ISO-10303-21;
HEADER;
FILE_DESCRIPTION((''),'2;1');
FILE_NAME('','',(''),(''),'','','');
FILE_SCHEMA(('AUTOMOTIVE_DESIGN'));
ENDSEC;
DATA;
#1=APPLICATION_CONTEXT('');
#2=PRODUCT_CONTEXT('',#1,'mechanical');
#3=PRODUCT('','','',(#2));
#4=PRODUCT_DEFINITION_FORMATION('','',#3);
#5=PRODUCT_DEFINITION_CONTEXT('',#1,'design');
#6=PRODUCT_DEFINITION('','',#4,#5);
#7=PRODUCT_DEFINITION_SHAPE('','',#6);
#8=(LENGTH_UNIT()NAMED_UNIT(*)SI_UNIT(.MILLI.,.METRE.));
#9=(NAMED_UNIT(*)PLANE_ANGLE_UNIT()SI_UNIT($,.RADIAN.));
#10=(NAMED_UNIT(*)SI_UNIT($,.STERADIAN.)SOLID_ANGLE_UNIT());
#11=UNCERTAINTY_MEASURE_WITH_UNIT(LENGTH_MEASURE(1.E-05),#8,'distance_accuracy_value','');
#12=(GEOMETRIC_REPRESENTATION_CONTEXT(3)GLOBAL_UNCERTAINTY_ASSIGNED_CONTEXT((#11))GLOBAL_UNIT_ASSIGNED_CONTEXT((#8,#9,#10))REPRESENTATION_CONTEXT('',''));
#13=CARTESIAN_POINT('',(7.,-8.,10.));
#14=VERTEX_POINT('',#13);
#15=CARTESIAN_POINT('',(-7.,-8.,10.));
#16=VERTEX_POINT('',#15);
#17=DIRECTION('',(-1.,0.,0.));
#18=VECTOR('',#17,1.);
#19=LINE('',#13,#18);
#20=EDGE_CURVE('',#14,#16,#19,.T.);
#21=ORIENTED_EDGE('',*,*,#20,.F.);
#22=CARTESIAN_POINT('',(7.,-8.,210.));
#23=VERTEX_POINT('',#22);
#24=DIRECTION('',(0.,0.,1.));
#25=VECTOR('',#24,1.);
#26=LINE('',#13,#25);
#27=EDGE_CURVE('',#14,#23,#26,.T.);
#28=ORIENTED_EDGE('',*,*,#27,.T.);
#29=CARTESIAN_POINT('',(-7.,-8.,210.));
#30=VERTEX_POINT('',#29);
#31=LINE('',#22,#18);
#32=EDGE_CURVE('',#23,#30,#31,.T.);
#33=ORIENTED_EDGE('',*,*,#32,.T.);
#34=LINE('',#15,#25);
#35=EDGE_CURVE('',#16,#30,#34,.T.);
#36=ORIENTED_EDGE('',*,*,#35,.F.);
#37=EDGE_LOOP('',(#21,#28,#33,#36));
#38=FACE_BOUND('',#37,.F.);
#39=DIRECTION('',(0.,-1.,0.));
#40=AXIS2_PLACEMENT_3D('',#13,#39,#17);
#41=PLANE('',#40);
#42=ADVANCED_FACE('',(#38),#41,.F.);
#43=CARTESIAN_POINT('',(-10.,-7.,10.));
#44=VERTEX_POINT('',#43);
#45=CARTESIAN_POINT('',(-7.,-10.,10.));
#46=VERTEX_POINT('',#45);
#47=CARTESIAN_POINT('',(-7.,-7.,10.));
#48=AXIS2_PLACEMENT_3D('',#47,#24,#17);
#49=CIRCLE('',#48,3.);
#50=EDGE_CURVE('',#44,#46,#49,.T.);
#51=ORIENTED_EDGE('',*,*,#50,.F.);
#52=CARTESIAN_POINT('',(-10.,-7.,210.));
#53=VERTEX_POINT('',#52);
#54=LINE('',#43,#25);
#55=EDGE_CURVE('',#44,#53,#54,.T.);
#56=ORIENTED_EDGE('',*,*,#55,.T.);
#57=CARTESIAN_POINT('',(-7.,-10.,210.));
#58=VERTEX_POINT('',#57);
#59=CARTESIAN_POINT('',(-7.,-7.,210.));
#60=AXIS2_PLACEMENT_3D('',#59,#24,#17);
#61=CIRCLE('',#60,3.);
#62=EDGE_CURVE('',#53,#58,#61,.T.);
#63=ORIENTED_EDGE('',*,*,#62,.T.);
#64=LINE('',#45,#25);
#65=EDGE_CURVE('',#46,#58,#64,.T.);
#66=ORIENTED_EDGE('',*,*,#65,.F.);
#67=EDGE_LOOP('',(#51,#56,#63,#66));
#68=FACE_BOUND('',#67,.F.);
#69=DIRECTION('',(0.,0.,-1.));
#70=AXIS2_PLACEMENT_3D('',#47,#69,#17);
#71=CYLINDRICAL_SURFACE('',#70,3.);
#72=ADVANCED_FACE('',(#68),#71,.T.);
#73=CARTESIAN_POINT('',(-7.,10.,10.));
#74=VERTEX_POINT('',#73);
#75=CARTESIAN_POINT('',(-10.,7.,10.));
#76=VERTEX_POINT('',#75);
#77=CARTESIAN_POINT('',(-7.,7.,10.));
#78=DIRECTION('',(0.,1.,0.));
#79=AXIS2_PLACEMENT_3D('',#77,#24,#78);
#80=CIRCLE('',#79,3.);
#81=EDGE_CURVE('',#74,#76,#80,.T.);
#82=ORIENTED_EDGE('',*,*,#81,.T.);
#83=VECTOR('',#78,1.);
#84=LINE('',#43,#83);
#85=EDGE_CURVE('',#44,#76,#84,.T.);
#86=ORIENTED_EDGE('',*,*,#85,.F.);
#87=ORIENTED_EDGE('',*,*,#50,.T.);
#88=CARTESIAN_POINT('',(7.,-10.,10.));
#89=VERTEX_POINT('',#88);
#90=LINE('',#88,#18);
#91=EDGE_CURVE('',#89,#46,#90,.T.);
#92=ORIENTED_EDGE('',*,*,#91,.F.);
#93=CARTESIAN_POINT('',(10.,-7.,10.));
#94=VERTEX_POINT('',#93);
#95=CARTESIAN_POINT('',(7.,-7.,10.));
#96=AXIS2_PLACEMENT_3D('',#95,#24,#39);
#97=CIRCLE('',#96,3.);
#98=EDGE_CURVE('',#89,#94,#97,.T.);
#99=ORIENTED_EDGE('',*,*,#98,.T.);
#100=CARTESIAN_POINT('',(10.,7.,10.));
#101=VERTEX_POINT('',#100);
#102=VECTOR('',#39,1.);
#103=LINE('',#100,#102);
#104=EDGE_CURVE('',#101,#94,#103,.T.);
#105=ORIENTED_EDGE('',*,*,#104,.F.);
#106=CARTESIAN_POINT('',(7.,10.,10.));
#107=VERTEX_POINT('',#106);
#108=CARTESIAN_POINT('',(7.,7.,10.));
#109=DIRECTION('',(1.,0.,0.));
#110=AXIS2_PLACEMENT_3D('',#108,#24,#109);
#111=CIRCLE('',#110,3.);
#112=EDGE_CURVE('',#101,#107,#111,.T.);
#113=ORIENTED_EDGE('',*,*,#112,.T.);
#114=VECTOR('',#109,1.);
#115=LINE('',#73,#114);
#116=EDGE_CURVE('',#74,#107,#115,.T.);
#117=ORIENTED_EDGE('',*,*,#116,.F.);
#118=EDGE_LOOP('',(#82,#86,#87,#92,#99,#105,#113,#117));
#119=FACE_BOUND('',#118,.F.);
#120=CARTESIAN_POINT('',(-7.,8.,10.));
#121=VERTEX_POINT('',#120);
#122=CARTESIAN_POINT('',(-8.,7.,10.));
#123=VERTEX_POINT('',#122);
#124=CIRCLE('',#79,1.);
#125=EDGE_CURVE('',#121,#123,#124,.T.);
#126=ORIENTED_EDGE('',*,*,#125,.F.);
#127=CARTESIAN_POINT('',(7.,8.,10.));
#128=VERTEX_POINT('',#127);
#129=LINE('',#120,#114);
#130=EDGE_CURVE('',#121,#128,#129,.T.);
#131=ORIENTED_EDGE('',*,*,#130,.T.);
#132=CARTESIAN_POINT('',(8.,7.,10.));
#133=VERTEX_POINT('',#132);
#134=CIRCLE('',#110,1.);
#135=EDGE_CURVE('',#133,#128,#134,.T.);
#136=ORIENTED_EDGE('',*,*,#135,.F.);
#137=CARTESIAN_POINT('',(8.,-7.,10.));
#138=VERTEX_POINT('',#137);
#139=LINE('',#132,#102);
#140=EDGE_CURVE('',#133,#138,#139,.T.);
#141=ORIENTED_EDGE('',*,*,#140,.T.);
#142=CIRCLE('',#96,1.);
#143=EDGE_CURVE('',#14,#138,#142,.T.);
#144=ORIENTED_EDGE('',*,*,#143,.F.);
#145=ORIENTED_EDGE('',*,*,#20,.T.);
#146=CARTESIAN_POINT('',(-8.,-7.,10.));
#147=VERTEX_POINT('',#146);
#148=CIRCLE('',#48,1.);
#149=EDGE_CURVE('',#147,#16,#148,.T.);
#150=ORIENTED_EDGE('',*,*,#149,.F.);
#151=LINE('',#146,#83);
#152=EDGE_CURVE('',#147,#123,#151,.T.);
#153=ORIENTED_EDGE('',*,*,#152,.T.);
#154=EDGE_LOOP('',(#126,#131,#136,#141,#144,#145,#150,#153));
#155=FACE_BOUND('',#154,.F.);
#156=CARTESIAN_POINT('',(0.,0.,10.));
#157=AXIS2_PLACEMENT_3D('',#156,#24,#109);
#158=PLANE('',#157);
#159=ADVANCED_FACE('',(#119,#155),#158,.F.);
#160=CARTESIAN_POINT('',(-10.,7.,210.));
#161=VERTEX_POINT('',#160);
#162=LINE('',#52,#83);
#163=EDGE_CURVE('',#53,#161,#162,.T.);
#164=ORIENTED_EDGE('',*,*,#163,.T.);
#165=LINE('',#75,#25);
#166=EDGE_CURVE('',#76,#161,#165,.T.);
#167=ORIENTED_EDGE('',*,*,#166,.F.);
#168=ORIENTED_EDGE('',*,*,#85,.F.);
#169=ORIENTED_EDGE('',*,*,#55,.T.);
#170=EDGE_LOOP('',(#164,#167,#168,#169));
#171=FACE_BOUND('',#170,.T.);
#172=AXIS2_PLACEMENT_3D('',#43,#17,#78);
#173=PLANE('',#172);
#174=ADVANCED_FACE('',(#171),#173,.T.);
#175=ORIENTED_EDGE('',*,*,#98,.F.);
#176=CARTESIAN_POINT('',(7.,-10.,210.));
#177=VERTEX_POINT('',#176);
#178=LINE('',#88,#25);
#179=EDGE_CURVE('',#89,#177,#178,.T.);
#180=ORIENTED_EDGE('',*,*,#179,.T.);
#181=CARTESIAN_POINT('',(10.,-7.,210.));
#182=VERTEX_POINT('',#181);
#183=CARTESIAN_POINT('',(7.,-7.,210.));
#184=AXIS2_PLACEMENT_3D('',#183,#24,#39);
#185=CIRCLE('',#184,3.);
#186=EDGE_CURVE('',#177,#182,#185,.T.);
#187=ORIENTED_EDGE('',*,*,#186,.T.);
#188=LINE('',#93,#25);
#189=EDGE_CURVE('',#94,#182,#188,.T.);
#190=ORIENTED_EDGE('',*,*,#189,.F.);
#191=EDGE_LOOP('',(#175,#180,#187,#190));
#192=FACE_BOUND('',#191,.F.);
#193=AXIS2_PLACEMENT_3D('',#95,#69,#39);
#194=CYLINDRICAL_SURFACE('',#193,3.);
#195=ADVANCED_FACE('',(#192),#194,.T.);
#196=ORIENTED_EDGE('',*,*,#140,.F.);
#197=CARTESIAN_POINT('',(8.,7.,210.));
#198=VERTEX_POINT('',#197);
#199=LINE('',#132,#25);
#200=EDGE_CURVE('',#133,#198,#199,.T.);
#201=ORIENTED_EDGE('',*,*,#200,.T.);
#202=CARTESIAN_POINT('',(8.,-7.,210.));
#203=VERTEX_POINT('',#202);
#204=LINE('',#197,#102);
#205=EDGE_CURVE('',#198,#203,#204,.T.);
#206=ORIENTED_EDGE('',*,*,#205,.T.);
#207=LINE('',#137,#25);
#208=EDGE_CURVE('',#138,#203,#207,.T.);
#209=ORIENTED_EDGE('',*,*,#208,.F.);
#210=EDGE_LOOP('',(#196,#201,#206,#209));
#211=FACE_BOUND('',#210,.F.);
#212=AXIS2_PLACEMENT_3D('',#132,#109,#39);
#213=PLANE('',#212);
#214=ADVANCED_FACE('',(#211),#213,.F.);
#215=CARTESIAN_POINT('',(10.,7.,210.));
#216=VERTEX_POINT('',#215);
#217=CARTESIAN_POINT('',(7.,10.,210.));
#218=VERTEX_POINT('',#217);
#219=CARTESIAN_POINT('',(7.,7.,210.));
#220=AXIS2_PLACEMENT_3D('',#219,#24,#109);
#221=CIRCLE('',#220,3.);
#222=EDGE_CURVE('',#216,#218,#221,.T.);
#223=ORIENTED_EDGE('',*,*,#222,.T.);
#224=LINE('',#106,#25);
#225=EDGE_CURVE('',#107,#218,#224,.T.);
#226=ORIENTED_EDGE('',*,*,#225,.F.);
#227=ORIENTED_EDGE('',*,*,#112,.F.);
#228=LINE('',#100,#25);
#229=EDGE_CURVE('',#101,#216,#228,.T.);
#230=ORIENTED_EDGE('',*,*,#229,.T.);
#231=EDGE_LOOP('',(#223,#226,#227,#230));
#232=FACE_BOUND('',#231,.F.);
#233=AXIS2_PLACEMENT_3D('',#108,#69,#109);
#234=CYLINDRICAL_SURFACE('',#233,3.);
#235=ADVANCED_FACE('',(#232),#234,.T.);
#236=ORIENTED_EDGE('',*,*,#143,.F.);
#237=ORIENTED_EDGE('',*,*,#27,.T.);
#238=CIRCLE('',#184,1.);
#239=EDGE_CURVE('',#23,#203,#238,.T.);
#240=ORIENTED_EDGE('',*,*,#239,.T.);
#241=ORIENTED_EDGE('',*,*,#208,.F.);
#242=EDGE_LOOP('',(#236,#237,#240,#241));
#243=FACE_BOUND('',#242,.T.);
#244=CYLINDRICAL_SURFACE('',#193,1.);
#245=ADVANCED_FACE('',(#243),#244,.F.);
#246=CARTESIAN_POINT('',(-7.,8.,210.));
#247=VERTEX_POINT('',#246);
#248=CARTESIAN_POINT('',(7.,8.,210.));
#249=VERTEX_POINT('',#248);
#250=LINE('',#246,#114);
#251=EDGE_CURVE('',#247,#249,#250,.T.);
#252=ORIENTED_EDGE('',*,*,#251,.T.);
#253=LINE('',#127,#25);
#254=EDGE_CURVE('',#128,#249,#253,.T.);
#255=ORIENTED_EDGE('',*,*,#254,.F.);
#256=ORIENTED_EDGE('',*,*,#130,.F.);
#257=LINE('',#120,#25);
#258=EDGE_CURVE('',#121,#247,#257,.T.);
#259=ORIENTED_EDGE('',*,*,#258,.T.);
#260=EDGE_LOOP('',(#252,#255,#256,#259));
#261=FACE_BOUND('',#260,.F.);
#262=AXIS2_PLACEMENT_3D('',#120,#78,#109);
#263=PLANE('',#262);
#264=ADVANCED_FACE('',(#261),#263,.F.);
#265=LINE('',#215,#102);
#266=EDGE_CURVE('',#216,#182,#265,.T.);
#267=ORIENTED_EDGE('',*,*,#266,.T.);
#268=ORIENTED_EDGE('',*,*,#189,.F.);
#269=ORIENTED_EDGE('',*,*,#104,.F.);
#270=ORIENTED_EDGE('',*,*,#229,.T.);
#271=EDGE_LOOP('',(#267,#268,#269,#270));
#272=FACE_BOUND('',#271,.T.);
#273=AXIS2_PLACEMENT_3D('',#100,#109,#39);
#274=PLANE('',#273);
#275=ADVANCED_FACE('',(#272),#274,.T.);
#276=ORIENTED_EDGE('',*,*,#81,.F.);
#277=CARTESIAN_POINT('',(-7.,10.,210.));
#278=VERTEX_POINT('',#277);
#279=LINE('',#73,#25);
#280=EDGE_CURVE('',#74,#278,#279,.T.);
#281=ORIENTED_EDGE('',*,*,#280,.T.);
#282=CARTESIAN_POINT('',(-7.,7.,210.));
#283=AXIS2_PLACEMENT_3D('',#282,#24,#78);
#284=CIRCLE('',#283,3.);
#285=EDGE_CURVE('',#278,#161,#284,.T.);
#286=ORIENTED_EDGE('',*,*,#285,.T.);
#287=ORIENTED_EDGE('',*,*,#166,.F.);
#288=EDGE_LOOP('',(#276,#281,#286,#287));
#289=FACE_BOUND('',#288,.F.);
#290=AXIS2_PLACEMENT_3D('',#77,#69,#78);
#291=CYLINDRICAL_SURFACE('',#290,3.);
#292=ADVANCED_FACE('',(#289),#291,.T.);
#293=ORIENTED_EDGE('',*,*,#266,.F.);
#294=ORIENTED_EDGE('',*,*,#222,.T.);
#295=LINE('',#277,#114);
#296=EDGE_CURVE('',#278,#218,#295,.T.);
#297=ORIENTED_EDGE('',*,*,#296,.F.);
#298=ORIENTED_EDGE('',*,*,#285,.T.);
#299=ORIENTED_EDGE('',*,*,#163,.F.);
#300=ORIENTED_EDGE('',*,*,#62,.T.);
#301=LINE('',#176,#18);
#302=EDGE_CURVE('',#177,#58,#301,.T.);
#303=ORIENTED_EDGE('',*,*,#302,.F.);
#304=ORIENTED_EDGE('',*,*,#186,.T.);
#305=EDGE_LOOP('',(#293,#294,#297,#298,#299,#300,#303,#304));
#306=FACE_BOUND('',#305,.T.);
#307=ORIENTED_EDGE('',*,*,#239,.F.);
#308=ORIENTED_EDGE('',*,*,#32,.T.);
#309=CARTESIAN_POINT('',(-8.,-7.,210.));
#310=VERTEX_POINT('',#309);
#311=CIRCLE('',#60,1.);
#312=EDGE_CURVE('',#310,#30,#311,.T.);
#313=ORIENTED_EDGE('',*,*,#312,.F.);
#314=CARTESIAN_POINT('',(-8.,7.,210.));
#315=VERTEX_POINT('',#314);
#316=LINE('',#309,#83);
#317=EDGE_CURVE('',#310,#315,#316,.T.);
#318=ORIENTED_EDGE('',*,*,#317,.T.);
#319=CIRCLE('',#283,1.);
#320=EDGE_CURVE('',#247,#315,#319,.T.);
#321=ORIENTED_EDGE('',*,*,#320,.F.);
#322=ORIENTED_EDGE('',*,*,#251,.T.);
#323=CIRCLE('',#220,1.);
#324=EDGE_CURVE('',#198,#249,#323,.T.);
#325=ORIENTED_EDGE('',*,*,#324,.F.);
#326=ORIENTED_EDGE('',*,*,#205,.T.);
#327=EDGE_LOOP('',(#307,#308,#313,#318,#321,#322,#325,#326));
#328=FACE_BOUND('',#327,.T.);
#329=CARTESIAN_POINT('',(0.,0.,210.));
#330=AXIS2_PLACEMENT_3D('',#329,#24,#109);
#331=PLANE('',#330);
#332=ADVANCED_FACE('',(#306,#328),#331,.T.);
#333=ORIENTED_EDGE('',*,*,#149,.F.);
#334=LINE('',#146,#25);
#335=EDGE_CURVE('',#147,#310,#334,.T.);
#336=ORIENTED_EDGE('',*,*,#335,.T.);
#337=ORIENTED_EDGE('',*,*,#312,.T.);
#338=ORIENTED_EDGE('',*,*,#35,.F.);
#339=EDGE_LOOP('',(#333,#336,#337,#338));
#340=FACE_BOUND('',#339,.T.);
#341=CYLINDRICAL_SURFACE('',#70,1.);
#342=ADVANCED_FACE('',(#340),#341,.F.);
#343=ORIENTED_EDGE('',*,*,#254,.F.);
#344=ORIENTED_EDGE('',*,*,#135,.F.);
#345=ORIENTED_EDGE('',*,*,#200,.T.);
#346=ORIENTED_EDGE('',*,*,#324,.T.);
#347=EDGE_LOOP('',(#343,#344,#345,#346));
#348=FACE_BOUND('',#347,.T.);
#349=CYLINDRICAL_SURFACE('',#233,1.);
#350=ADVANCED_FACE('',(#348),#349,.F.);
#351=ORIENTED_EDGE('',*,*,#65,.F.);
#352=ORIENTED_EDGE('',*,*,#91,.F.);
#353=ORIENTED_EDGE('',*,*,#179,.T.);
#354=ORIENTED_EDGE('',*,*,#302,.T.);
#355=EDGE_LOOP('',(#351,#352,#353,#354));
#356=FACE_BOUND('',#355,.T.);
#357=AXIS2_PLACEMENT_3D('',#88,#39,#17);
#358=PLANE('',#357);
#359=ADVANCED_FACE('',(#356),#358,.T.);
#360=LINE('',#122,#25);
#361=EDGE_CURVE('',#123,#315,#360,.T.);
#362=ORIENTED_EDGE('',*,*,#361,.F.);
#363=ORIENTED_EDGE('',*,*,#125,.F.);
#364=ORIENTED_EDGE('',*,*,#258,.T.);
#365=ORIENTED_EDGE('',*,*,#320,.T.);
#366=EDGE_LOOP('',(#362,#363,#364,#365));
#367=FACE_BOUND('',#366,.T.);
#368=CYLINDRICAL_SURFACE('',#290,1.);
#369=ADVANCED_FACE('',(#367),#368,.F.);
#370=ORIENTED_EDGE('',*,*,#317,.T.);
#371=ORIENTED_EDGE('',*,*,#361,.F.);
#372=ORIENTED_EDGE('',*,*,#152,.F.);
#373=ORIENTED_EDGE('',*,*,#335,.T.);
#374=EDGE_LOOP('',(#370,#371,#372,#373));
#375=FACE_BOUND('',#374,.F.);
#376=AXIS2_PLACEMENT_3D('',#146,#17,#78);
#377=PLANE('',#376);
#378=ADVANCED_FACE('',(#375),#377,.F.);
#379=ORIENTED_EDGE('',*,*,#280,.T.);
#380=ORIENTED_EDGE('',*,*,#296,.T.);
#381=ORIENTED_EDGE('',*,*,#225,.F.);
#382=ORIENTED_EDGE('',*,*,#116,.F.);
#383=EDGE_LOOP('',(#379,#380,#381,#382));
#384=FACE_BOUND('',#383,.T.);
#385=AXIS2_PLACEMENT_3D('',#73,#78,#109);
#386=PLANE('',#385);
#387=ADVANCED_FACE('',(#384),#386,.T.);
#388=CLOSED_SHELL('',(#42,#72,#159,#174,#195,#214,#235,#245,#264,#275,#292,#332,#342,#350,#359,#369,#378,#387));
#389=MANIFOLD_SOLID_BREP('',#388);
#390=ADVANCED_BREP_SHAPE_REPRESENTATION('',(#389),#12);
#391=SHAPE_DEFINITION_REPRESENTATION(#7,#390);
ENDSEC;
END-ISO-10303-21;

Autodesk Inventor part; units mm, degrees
ref_plane "Start Plane" through (0, 0, 10) normal (0, 0, 1) x (1, 0, 0)
ref_plane "End Plane" through (0, 0, 210) normal (0, 0, 1) x (1, 0, 0)
sketch "Sketch" plane through (0, 0, 0) normal (0, 0, 1) x (1, 0, 0)
  line L0 (-10, -7) -> (-10, 7)
  line L1 (-7, 10) -> (7, 10)
  line L2 (10, 7) -> (10, -7)
  line L3 (7, -10) -> (-7, -10)
  arc A0 (-10, -7) -> (-7, -10) centre (-7, -7) ccw
  arc A1 (-7, 10) -> (-10, 7) centre (-7, 7) ccw
  arc A2 (10, 7) -> (7, 10) centre (7, 7) ccw
  arc A3 (7, -10) -> (10, -7) centre (7, -7) ccw
  arc A4 (-7, 8) -> (-8, 7) centre (-7, 7) ccw
  line L4 (-7, 8) -> (7, 8)
  arc A5 (8, 7) -> (7, 8) centre (7, 7) ccw
  line L5 (8, 7) -> (8, -7)
  arc A6 (7, -8) -> (8, -7) centre (7, -7) ccw
  line L6 (7, -8) -> (-7, -8)
  arc A7 (-8, -7) -> (-7, -8) centre (-7, -7) ccw
  line L7 (-8, -7) -> (-8, 7)
  line L8 (0, 14.8698) -> (0, -14.8698) construction
  line L9 (-14.8698, 0) -> (14.8698, 0) construction
  dimension "d7" = 3
  dimension "d10" = 20
  dimension "d11" = 20
  dimension "d12" = 2
  dimension "d15" = 10
  dimension "d16" = 10
extrude "Body" add sketch "Sketch" along normal up to surface (200 mm away) from surface at 10
sketch "Sketch3" plane through (0, 0, 0) normal (0, 0, 1) x (1, 0, 0)
  line L0 (0, 0) -> (10, 0)
ref_plane "Work Plane3" through (0, 0, 0) normal (0, -1, 0) x (1, 0, 0)
sketch "Sketch4" plane through (0, 0, 0) normal (0, -1, 0) x (1, 0, 0)
  line L0 (-2, 10) -> (12, 10)
  line L1 (-2, 210) -> (12, 210)
  dimension "d18" = 200
ref_plane "Work Plane4" through (87, 0, 10) normal (0, 0, -1) x (-1, 0, 0)
split "Split1" plane through (87, 0, 10) removes the side toward (0, 0, -1)
equation "\"d7\" = G_IR"
equation "\"d10\" = G_H"
equation "\"d11\" = G_W"
equation "\"d12\" = G_T"
equation "\"d15\" = 0.5 * d10"
equation "\"d16\" = 0.5 * d11"
equation "\"d3\" = G_L"
equation "\"G_W\" = 20"
equation "\"G_H\" = 20"
equation "\"G_T\" = 2"
equation "\"G_IR\" = 3"
equation "\"G_L\" = d18"
equation "\"G_OFFSET_END\" = 0"
properties part number "ISO 12633-2 - 20x20x2 - 200" material "Steel, Mild"
